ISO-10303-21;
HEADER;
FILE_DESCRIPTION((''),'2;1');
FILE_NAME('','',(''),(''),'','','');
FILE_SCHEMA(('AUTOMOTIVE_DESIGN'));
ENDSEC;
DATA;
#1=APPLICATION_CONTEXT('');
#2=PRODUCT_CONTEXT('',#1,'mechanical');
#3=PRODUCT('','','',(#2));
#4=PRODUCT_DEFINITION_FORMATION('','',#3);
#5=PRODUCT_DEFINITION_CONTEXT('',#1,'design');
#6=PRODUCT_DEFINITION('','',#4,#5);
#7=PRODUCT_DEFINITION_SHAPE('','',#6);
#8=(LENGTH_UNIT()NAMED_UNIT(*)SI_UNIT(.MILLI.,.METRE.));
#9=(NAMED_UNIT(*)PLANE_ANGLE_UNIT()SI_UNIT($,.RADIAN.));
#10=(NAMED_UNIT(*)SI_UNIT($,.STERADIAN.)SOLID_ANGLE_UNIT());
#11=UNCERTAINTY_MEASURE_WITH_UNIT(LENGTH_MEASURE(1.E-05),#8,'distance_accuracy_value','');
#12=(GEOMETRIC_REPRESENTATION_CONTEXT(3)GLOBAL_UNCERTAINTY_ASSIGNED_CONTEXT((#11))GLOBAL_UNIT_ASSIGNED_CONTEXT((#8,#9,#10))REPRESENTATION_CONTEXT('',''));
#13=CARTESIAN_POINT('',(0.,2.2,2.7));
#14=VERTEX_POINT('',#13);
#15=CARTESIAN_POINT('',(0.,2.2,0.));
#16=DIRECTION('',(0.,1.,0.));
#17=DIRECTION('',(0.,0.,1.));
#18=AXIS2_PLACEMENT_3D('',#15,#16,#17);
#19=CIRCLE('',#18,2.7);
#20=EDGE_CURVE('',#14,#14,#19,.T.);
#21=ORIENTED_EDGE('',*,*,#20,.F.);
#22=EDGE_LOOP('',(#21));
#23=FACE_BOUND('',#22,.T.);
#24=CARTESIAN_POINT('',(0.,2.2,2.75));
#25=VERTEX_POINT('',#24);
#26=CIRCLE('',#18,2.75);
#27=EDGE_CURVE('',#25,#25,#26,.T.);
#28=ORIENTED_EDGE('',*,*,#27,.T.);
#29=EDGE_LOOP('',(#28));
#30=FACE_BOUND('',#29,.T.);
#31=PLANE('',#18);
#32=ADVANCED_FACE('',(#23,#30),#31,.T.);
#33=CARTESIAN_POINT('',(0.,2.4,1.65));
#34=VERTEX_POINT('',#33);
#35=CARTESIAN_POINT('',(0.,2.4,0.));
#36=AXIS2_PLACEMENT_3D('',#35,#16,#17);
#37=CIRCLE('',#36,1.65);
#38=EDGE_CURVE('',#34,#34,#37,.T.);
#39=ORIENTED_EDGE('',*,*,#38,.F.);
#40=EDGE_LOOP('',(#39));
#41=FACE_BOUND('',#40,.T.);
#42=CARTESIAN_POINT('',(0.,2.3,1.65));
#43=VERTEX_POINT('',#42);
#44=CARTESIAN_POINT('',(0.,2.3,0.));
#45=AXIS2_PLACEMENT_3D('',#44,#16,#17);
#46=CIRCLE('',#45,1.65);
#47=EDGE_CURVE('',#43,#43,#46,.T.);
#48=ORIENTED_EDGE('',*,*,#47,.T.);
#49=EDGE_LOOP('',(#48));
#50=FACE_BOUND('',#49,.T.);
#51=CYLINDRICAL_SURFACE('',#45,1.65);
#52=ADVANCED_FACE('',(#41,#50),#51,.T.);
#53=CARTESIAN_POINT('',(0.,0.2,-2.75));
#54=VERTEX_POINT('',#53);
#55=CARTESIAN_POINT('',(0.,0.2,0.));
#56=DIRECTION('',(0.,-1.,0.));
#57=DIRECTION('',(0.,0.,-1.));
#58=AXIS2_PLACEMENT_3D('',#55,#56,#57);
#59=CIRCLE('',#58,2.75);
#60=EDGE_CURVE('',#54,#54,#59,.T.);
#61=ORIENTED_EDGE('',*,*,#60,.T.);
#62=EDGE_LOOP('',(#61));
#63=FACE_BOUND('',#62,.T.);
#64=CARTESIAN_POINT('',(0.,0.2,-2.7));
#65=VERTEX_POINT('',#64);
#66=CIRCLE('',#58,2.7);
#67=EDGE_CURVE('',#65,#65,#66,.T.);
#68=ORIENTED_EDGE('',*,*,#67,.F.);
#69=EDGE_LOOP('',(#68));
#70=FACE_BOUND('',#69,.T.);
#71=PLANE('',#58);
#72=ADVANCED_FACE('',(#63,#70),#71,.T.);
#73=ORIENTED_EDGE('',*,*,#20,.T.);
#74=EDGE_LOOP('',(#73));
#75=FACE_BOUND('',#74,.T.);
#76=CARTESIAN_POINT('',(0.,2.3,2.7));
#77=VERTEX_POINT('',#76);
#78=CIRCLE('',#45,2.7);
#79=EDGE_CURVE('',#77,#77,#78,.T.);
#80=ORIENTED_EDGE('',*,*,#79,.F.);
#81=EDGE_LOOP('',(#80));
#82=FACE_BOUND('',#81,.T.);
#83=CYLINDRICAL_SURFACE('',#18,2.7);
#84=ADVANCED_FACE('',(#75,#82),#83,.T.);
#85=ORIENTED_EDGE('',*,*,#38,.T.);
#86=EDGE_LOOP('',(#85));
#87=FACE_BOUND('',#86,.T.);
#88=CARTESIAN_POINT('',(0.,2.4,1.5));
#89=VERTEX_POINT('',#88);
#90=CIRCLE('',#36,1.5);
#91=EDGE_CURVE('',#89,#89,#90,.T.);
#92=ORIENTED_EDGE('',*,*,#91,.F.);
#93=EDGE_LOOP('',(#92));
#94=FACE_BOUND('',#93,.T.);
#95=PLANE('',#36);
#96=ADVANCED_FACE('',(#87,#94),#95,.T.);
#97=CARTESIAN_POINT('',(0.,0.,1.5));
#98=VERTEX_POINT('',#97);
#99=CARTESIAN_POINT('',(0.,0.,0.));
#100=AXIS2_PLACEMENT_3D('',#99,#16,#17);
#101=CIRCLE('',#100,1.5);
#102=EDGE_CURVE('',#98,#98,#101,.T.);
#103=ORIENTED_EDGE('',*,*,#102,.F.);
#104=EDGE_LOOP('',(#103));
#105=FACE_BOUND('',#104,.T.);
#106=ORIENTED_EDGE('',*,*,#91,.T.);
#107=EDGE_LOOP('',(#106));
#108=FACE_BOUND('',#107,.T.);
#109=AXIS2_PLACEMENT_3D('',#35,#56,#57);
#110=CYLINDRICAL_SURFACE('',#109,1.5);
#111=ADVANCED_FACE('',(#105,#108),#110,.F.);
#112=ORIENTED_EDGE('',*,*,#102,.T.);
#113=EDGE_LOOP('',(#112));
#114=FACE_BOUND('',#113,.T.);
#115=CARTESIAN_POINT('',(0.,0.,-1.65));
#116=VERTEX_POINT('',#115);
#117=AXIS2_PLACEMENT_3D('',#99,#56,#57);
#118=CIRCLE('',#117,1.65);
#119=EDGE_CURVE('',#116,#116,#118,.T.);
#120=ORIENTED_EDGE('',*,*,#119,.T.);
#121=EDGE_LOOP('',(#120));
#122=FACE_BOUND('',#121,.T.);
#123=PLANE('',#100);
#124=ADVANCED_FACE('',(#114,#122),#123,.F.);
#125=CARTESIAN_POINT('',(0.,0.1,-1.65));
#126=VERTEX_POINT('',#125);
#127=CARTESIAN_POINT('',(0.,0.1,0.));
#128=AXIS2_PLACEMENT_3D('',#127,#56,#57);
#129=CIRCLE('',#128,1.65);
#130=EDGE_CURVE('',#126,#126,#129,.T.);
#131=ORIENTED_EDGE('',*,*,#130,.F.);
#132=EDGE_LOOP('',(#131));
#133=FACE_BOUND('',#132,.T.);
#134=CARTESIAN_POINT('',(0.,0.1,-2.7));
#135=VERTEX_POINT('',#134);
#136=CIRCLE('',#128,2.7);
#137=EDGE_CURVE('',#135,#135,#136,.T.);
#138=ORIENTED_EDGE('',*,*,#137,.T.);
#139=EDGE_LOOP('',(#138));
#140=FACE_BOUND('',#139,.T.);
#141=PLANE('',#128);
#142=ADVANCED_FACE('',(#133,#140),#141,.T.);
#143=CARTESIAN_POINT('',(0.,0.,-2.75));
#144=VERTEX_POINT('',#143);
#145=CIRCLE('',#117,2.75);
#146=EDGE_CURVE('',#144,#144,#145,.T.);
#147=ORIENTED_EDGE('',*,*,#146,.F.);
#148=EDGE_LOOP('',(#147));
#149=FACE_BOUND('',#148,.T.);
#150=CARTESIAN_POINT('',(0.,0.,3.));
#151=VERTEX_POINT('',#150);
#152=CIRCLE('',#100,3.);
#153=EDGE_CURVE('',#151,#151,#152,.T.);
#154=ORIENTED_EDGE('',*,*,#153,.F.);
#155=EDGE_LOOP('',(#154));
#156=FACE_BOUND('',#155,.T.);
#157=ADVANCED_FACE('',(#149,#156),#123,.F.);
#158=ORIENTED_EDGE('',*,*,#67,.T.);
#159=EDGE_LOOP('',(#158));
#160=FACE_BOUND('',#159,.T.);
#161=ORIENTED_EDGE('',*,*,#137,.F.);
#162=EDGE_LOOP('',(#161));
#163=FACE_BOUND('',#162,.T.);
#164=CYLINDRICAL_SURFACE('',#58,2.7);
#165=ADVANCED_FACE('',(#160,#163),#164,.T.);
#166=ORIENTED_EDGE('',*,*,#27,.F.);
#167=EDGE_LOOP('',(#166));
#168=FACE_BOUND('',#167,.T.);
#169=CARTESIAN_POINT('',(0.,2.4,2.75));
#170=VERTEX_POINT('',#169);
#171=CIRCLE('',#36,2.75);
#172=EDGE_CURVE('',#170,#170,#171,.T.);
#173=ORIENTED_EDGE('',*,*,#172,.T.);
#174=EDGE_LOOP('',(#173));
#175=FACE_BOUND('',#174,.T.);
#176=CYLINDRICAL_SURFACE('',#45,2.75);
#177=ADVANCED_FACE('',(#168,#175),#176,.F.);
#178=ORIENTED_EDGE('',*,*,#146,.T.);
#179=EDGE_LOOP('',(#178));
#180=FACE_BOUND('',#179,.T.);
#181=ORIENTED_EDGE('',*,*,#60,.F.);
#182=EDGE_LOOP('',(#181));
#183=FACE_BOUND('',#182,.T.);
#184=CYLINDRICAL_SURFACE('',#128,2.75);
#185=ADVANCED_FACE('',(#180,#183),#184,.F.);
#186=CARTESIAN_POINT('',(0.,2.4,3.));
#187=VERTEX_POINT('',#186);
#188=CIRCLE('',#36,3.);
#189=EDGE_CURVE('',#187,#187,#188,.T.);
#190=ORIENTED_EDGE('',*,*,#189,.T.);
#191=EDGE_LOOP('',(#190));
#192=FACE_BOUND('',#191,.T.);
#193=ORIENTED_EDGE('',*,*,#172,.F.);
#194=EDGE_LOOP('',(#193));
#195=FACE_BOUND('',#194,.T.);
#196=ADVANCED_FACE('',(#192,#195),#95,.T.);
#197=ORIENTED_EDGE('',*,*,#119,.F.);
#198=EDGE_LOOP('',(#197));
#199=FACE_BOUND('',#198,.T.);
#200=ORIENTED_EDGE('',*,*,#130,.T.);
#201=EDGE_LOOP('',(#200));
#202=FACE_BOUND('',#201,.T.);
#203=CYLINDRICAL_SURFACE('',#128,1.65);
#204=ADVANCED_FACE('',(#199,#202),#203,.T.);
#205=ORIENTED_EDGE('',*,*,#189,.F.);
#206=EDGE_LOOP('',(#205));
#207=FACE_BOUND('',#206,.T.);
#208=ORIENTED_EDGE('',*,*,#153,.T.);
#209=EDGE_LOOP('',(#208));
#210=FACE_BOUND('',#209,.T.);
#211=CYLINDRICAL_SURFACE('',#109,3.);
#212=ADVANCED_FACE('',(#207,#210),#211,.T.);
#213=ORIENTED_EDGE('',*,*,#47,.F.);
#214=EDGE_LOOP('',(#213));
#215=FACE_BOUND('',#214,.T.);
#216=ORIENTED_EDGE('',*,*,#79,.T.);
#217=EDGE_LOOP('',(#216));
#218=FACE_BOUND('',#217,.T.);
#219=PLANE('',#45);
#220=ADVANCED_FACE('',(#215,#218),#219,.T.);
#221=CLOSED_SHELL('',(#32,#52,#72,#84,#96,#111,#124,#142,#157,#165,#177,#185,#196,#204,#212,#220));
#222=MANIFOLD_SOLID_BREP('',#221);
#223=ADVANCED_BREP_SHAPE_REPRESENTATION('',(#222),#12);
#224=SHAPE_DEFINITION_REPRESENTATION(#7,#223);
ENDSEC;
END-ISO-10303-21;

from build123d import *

# Parameters (mm, degrees)
SKETCH_1_R          = 3
SKETCH_1_R_2        = 1.5
EXTRUDE_1_DEPTH     = 2.4
SKETCH_2_R          = 2.75
SKETCH_2_R_2        = 1.65
CUT_EXTRUDE_1_DEPTH = 0.1
CUT_EXTRUDE_START   = -0.1
SKETCH_3_R          = 2.75
SKETCH_3_R_2        = 1.65
CUT_EXTRUDE_2_DEPTH = 0.1
SKETCH_4_R          = 2.75
SKETCH_4_R_2        = 2.7
CUT_EXTRUDE_3_DEPTH = 0.1
SKETCH_5_R          = 2.75
SKETCH_5_R_2        = 2.7
CUT_EXTRUDE_4_DEPTH = 0.1


with BuildPart() as part:
    # 草图1 → 凸台-拉伸1 (new body)
    with BuildSketch(Plane(origin=(0, 0, 0), x_dir=(1, 0, 0), z_dir=(0, 1, 0))):
        with Locations(Location((0, 0, 0), (0, 0, 270))):
            Circle(SKETCH_1_R)
        with Locations(Location((0, 0, 0), (0, 0, 270))):
            Circle(SKETCH_1_R_2, mode=Mode.SUBTRACT)
    extrude(amount=EXTRUDE_1_DEPTH)

    # 草图2 → 切除-拉伸1 (cut)
    with BuildSketch(Plane(origin=(0, 2.4, 0), x_dir=(1, 0, 0), z_dir=(0, 1, 0))):
        with Locations(Location((0, 0, 0), (0, 0, 270))):
            Circle(SKETCH_2_R)
        with Locations(Location((0, 0, 0), (0, 0, 270))):
            Circle(SKETCH_2_R_2, mode=Mode.SUBTRACT)
    extrude(amount=-CUT_EXTRUDE_1_DEPTH, mode=Mode.SUBTRACT)

    # 草图3 → 切除-拉伸2 (cut)
    with BuildSketch(Plane.XZ.offset(CUT_EXTRUDE_START)):
        with Locations(Location((0, 0, 0), (0, 0, 90))):
            Circle(SKETCH_3_R)
        with Locations(Location((0, 0, 0), (0, 0, 90))):
            Circle(SKETCH_3_R_2, mode=Mode.SUBTRACT)
    extrude(amount=CUT_EXTRUDE_2_DEPTH, mode=Mode.SUBTRACT)

    # 草图4 → 切除-拉伸3 (cut)
    with BuildSketch(Plane.XZ.offset(-0.1).offset(CUT_EXTRUDE_START)):
        with Locations(Location((0, 0, 0), (0, 0, 90))):
            Circle(SKETCH_4_R)
        with Locations(Location((0, 0, 0), (0, 0, 270))):
            Circle(SKETCH_4_R_2, mode=Mode.SUBTRACT)
    extrude(amount=CUT_EXTRUDE_3_DEPTH, mode=Mode.SUBTRACT)

    # 草图5 → 切除-拉伸4 (cut)
    with BuildSketch(Plane(origin=(0, 2.3, 0), x_dir=(1, 0, 0), z_dir=(0, 1, 0))):
        with Locations(Location((0, 0, 0), (0, 0, 270))):
            Circle(SKETCH_5_R)
        with Locations(Location((0, 0, 0), (0, 0, 90))):
            Circle(SKETCH_5_R_2, mode=Mode.SUBTRACT)
    extrude(amount=-CUT_EXTRUDE_4_DEPTH, mode=Mode.SUBTRACT)


solid = part.part
